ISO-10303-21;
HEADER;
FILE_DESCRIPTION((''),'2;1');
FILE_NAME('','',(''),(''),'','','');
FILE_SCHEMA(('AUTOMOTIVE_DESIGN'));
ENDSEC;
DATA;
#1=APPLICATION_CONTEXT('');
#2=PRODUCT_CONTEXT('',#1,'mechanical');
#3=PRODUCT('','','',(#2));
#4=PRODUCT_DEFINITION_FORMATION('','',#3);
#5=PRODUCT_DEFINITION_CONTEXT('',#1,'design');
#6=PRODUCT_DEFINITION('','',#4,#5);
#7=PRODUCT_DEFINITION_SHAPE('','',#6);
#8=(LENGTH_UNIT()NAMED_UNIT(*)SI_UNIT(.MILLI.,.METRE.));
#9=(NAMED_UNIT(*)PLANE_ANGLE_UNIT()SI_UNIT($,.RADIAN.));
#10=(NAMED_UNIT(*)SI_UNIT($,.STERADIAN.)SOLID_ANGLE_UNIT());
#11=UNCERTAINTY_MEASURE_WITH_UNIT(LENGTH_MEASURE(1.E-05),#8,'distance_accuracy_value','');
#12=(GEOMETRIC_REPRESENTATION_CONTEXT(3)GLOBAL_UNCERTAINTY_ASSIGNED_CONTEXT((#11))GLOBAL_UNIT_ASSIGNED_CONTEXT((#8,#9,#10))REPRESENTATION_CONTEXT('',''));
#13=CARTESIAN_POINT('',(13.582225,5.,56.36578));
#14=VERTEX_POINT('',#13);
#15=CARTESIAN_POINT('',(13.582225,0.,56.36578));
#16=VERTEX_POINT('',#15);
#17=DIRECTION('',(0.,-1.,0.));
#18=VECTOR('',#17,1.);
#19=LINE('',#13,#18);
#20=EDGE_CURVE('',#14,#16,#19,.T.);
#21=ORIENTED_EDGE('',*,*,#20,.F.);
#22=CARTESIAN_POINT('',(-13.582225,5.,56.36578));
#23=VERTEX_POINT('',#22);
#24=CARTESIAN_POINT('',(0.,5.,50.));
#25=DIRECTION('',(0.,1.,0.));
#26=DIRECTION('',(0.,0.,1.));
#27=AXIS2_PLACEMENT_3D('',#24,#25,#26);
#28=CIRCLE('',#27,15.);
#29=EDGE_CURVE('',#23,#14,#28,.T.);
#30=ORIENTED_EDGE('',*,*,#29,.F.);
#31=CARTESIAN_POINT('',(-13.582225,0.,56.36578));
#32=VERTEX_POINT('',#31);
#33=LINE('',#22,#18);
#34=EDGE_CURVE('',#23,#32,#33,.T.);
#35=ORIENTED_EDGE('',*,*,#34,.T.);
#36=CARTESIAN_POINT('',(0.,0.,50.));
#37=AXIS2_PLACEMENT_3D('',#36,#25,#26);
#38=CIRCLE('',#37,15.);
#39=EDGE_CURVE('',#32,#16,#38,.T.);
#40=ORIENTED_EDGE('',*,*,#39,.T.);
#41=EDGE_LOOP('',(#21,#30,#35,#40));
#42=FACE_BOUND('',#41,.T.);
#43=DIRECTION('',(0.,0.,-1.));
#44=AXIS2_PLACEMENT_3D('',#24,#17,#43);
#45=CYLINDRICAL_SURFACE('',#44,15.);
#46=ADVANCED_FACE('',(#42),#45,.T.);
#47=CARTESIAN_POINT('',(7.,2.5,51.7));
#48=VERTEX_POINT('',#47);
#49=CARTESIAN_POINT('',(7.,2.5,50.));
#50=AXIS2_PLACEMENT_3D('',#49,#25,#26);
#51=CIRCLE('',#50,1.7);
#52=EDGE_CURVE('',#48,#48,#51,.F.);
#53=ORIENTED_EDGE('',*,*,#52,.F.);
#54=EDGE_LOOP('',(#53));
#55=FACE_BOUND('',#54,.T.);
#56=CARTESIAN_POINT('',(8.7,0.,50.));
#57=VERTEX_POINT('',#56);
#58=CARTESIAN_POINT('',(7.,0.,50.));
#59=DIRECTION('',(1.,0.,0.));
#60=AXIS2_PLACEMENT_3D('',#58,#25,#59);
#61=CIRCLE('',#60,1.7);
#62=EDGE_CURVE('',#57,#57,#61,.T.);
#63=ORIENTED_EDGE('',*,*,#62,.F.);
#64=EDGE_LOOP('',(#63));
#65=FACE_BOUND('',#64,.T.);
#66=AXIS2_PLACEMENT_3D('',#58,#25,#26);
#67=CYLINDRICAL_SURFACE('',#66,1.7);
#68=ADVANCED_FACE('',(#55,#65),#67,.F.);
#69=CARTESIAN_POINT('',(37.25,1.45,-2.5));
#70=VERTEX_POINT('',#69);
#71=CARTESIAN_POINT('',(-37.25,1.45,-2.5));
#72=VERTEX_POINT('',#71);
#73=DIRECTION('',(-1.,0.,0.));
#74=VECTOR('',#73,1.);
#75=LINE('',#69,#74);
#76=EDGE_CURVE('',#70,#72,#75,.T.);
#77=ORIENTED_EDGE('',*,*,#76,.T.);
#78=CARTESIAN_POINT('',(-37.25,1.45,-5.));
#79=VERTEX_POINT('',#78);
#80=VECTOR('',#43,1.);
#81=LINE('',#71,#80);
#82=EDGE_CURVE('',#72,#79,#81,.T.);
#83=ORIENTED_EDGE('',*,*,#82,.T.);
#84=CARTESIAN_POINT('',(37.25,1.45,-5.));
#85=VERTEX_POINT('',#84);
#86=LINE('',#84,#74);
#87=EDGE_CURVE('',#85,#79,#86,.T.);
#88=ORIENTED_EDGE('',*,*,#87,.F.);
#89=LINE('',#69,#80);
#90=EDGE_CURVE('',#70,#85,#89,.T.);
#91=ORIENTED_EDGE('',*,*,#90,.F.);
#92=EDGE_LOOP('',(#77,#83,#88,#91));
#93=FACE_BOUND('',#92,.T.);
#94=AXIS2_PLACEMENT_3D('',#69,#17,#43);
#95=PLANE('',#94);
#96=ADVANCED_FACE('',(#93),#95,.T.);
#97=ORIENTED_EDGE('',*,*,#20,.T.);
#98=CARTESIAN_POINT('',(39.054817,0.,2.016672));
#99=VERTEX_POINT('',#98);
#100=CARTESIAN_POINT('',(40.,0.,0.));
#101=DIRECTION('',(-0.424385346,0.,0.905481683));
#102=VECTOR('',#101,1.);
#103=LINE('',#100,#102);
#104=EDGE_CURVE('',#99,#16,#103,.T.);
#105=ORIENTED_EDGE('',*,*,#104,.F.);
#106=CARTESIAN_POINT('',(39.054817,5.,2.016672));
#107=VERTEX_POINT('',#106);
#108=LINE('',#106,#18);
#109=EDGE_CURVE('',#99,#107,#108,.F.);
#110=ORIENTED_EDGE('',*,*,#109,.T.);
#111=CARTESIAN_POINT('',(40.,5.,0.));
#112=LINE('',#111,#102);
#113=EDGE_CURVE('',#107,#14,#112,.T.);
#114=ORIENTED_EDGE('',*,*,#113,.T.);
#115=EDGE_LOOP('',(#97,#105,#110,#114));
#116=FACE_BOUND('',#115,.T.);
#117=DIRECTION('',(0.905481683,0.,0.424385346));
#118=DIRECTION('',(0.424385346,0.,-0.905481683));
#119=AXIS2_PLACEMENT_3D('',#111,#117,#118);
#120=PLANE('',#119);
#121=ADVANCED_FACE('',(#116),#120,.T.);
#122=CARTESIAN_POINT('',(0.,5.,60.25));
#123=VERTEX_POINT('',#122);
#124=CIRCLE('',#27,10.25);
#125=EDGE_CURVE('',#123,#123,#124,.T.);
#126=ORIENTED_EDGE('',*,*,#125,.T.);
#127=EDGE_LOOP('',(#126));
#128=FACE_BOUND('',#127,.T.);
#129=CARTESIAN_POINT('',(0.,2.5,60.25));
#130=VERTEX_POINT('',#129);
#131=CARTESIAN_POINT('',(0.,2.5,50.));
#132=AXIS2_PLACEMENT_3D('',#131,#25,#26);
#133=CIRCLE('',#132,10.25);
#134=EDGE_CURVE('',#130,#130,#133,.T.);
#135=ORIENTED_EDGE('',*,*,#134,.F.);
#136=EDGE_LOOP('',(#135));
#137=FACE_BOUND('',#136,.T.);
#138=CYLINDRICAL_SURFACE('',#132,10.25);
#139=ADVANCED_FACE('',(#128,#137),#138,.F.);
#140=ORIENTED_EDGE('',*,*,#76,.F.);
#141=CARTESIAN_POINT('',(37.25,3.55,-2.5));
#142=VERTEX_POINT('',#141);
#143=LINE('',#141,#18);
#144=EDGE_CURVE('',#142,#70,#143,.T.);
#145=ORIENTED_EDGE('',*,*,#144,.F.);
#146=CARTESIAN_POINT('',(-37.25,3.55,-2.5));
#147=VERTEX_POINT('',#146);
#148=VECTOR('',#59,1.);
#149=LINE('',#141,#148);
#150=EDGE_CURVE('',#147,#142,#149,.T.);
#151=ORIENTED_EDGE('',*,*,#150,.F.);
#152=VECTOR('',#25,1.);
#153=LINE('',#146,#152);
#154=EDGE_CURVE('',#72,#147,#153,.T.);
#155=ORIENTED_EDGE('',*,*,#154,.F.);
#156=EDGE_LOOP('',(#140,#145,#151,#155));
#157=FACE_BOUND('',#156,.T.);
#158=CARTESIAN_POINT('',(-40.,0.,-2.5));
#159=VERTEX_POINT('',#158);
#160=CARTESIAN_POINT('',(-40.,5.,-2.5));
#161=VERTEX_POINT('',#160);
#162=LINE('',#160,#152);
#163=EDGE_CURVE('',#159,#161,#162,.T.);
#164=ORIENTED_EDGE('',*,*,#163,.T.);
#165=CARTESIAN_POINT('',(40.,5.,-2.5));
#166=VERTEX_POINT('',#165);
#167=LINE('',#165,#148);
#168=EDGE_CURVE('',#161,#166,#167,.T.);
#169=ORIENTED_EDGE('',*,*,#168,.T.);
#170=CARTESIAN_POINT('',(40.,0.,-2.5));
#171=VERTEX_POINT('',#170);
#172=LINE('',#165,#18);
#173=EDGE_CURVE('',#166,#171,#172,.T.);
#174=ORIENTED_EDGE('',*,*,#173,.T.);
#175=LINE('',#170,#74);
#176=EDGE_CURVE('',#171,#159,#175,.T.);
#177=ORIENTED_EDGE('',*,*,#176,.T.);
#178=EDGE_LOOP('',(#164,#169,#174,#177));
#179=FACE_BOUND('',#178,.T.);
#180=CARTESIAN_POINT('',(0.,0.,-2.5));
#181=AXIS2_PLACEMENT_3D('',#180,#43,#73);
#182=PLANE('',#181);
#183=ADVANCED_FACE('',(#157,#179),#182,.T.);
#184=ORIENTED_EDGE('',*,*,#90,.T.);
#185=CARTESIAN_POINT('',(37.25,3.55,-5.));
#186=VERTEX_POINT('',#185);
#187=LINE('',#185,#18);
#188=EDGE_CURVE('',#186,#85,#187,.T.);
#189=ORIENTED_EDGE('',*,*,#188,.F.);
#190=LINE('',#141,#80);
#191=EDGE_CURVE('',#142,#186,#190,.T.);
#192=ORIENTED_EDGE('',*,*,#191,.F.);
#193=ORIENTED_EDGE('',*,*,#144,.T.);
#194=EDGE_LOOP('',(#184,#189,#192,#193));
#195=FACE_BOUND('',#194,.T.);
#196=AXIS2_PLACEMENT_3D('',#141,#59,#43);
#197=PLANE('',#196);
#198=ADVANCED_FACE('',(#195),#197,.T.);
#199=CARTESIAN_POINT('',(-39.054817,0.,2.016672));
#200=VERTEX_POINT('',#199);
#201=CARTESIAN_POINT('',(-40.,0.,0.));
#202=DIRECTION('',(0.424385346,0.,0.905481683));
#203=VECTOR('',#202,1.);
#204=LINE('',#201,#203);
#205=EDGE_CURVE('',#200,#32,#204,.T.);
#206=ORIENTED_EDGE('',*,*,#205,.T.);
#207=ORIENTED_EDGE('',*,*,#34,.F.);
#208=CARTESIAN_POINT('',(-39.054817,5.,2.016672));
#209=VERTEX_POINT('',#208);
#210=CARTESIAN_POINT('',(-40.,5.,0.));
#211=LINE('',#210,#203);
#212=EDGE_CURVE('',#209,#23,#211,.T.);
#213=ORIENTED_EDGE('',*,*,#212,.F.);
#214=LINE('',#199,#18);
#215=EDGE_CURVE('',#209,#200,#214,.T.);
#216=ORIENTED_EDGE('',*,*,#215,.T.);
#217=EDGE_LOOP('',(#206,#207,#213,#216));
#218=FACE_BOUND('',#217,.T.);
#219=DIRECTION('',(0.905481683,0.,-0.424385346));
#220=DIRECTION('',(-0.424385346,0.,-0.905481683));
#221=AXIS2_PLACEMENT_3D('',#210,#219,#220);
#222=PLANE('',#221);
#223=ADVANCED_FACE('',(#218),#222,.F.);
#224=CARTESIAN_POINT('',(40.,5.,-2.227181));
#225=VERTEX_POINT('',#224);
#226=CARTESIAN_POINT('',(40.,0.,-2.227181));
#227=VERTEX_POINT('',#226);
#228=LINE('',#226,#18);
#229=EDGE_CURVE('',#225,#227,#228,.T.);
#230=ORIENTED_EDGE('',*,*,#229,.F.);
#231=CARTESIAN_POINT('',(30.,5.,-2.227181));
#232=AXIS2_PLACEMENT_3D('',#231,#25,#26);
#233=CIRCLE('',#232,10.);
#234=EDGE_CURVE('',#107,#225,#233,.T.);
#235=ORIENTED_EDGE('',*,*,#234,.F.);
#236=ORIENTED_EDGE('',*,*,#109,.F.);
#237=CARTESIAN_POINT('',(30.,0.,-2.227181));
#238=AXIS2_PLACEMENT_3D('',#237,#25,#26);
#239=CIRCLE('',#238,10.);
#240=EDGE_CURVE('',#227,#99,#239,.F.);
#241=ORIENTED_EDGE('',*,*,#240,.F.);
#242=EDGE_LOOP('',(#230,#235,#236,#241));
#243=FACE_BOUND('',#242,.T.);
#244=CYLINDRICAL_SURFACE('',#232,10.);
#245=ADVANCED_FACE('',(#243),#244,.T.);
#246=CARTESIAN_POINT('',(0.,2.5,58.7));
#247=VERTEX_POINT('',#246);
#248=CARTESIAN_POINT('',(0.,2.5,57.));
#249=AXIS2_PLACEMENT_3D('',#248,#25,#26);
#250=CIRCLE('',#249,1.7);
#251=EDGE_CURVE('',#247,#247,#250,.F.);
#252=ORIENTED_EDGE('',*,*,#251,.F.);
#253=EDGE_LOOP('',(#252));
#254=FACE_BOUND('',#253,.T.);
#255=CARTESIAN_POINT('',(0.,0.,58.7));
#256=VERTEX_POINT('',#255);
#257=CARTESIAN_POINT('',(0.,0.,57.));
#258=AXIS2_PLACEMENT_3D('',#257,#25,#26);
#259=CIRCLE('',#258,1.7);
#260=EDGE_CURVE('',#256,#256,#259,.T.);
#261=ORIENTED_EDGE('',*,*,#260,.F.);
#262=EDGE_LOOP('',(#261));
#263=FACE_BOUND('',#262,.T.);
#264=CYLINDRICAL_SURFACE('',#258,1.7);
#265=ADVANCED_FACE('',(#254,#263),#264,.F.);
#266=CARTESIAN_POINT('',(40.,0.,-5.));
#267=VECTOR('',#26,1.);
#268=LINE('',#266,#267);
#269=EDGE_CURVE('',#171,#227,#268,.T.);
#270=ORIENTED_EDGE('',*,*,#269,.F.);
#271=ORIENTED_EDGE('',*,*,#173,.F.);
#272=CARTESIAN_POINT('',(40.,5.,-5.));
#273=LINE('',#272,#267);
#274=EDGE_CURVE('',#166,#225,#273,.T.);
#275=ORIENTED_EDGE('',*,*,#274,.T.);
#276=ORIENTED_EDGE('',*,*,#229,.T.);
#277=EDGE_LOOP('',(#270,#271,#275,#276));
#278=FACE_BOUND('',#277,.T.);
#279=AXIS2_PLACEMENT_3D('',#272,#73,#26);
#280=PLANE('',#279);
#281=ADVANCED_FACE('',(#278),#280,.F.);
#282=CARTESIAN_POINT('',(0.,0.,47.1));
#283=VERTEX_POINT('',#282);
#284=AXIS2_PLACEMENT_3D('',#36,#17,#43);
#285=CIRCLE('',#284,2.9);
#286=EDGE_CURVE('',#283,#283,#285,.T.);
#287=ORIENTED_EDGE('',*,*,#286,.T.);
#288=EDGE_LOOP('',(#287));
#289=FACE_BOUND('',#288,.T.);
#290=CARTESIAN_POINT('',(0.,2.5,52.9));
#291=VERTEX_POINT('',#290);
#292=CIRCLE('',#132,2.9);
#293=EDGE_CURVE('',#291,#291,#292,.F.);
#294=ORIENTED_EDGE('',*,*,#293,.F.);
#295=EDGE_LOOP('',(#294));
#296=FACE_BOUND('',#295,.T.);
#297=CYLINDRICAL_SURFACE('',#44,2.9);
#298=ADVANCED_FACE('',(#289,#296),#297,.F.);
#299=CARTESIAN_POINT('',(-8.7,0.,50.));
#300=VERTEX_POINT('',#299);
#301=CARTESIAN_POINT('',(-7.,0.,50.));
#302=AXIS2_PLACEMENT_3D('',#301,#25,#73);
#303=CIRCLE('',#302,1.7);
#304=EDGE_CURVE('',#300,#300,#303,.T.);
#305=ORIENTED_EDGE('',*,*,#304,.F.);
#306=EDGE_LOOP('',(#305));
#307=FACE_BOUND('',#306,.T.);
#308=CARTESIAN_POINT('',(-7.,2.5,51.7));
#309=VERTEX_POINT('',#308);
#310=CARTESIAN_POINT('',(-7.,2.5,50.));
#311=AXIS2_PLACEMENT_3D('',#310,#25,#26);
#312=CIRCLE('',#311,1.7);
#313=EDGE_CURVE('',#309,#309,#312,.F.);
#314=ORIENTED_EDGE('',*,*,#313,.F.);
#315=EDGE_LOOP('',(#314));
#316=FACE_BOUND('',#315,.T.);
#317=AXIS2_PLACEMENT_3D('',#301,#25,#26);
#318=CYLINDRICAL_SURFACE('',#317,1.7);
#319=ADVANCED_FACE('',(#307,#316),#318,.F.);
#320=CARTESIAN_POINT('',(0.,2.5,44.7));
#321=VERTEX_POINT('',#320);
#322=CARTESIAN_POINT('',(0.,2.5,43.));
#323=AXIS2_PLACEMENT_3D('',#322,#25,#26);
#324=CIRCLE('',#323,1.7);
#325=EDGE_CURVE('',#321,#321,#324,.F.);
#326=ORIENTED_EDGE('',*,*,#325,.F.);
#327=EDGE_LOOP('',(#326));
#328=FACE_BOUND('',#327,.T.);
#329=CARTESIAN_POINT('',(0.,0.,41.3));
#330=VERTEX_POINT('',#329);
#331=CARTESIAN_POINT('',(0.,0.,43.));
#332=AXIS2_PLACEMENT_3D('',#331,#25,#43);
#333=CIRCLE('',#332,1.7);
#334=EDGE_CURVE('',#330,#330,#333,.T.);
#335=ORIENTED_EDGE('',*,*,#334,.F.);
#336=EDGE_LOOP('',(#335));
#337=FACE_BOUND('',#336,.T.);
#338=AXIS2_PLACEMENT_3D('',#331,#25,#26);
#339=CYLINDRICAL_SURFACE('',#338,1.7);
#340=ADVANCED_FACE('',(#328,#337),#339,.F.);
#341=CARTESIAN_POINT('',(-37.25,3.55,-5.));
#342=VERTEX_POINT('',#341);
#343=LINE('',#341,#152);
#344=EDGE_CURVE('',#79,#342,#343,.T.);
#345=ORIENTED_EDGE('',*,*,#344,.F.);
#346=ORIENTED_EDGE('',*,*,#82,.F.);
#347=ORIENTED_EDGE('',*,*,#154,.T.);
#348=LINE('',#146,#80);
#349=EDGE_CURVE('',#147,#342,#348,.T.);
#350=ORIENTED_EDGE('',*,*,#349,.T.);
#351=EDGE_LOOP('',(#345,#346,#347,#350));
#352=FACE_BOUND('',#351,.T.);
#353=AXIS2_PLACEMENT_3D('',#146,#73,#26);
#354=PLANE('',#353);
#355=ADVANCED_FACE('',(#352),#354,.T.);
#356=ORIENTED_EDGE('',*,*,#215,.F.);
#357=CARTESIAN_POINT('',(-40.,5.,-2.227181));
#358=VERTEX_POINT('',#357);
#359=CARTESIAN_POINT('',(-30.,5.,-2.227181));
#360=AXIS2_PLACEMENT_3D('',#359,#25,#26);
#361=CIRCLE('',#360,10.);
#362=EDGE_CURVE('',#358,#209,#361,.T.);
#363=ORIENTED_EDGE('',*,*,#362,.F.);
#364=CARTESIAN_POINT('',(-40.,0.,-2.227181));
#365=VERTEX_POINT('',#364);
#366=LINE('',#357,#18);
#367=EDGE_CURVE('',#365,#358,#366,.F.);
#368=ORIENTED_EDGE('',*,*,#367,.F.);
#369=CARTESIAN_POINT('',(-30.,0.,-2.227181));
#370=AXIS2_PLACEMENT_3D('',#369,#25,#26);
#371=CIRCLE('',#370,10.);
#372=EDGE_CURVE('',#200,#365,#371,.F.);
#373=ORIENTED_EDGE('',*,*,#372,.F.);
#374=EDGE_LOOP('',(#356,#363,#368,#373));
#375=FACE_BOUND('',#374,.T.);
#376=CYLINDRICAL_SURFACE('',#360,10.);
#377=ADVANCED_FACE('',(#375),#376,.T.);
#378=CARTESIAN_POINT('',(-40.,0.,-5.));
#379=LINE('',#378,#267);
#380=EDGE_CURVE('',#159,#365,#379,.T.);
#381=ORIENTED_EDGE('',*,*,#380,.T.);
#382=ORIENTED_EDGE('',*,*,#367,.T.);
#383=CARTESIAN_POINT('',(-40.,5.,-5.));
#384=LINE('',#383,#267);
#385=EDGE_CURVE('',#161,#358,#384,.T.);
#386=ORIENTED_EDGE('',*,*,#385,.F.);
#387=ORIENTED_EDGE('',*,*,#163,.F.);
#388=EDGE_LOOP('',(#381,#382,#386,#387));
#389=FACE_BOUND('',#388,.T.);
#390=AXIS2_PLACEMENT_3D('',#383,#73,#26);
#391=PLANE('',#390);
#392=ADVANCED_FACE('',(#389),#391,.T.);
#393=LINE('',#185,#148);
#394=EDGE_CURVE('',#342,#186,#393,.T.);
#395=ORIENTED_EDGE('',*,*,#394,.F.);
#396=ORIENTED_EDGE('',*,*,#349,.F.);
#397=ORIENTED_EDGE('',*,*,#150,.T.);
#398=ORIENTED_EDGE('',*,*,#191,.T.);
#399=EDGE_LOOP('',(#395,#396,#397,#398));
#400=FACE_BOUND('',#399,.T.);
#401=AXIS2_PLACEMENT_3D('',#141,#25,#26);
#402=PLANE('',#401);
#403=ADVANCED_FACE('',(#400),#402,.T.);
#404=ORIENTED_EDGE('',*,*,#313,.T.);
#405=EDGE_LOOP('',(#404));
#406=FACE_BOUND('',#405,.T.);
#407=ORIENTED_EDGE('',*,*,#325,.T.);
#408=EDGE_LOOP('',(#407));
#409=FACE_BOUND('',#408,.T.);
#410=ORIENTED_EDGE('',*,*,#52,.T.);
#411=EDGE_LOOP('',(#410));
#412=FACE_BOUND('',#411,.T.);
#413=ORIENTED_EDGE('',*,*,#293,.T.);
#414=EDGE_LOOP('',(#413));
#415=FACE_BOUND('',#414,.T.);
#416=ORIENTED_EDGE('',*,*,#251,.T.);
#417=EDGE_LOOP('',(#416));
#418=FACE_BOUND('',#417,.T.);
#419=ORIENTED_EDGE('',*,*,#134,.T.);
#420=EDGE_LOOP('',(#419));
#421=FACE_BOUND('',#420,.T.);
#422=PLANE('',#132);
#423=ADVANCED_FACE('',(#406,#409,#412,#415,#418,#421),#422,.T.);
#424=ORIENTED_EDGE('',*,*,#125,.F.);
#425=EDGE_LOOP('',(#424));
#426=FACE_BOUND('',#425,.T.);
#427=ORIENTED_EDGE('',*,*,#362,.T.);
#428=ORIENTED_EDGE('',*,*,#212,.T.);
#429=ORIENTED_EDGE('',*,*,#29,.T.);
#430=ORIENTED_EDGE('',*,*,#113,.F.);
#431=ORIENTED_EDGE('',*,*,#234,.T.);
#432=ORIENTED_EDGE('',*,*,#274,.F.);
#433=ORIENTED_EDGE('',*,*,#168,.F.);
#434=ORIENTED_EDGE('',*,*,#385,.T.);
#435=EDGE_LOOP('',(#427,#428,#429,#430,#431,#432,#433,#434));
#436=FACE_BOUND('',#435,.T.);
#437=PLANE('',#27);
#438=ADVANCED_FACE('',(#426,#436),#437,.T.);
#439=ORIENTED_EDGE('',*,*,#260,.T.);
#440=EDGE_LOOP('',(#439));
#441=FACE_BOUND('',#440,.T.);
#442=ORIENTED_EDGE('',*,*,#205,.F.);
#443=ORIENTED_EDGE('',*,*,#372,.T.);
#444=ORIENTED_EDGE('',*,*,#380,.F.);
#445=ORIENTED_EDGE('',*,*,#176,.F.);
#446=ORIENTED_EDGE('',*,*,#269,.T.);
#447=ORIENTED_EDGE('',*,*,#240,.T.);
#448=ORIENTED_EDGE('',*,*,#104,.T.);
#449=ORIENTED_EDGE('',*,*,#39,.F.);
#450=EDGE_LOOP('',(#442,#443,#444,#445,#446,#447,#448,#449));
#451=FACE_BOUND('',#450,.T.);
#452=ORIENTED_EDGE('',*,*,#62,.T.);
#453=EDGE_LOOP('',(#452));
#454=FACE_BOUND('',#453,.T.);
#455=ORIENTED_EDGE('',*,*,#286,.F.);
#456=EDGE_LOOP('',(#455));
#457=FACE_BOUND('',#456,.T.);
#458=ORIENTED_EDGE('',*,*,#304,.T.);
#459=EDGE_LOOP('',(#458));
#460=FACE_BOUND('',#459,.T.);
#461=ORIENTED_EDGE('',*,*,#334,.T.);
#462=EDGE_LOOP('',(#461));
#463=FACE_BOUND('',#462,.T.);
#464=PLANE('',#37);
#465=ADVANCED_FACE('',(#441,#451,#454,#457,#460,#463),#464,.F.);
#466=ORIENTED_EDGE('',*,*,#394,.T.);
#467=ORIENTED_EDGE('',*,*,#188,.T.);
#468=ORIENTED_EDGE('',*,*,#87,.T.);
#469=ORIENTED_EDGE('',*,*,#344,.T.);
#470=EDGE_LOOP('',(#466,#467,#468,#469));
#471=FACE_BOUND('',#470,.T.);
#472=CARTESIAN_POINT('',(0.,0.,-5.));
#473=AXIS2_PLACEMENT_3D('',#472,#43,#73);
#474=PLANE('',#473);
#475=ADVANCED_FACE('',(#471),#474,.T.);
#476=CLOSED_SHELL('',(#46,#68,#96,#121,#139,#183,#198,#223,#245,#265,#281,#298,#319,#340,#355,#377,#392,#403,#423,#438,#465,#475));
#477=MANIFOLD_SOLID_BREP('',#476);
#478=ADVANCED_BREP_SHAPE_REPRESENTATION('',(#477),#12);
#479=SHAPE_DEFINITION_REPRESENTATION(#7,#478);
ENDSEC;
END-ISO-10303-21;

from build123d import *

# Parameters (mm, degrees)
BOSS_EXTRUDE1_DEPTH = 5
SKETCH3_W           = 80
SKETCH3_H           = 5
BOSS_EXTRUDE2_DEPTH = 5
SKETCH6_W           = 80
SKETCH6_H           = 5
SKETCH6_W_2         = 74.5
SKETCH6_H_2         = 2.1
CUT_EXTRUDE2_DEPTH  = 2.5
FILLET1_R           = 10
SKETCH7_R           = 2.9
CUT_EXTRUDE3_DEPTH  = 5
SKETCH8_R           = 1.7
CUT_EXTRUDE4_DEPTH  = 5
CIRPATTERN1_COUNT   = 4
SKETCH9_R           = 10.25
CUT_EXTRUDE5_DEPTH  = 2.5


with BuildPart() as part:
    # Sketch2 → Boss-Extrude1 (new body)
    with BuildSketch(Plane(origin=(0, 0, 0), x_dir=(1, 0, 0), z_dir=(0, 1, 0))):
        with BuildLine():
            Line((-40, 0), (40, 0))
            Line((40, 0), (13.582225242, -56.365780194))
            ThreePointArc((13.582225242, -56.365780194), (0, -65), (-13.582225242, -56.365780194))
            Line((-13.582225242, -56.365780194), (-40, 0))
        make_face()
    extrude(amount=BOSS_EXTRUDE1_DEPTH)

    # Sketch3 → Boss-Extrude2 (add)
    with BuildSketch(Plane(origin=(0, 0, 0), x_dir=(-1, 0, 0), z_dir=(0, 0, -1))):
        with Locations((0, 2.5)):
            Rectangle(SKETCH3_W, SKETCH3_H)
    extrude(amount=BOSS_EXTRUDE2_DEPTH)

    # Sketch6 → Cut-Extrude2 (cut)
    with BuildSketch(Plane(origin=(0, 0, -5), x_dir=(-1, 0, 0), z_dir=(0, 0, -1))):
        with Locations((0, 2.5)):
            Rectangle(SKETCH6_W, SKETCH6_H)
        with Locations((0, 2.5)):
            Rectangle(SKETCH6_W_2, SKETCH6_H_2, mode=Mode.SUBTRACT)
    extrude(amount=-CUT_EXTRUDE2_DEPTH, mode=Mode.SUBTRACT)

    # Fillet1
    fillet1_edges = [part.edges().sort_by_distance(p)[0] for p in [
        (-40, 2.5, 0),
        (40, 2.5, 0),
    ]]
    fillet(fillet1_edges, radius=FILLET1_R)

    # Sketch7 → Cut-Extrude3 (cut)
    with BuildSketch(Plane(origin=(0, 0, 0), x_dir=(-1, 0, 0), z_dir=(0, -1, 0))):
        with Locations(Location((0, -50, 0), (0, 0, 90))):
            Circle(SKETCH7_R)
    extrude(amount=-CUT_EXTRUDE3_DEPTH, mode=Mode.SUBTRACT)

    # Sketch8 → Cut-Extrude4 (cut)
    with BuildSketch(Plane(origin=(0, 5, 0), x_dir=(1, 0, 0), z_dir=(0, 1, 0))):
        with Locations(Location((0, -57, 0), (0, 0, 270))):
            Circle(SKETCH8_R)
    cut_extrude4 = extrude(amount=-CUT_EXTRUDE4_DEPTH, mode=Mode.SUBTRACT)

    # CirPattern1: Cut-Extrude4 ×4 about axis
    cirpattern1_axis = Axis((0, 0, 50), (0, 1, 0))
    for i in range(1, CIRPATTERN1_COUNT):
        add(cut_extrude4.rotate(cirpattern1_axis, i * 360 / CIRPATTERN1_COUNT), mode=Mode.SUBTRACT)

    # Sketch9 → Cut-Extrude5 (cut)
    with BuildSketch(Plane(origin=(0, 5, 0), x_dir=(1, 0, 0), z_dir=(0, 1, 0))):
        with Locations(Location((0, -50, 0), (0, 0, 270))):
            Circle(SKETCH9_R)
    extrude(amount=-CUT_EXTRUDE5_DEPTH, mode=Mode.SUBTRACT)


solid = part.part
